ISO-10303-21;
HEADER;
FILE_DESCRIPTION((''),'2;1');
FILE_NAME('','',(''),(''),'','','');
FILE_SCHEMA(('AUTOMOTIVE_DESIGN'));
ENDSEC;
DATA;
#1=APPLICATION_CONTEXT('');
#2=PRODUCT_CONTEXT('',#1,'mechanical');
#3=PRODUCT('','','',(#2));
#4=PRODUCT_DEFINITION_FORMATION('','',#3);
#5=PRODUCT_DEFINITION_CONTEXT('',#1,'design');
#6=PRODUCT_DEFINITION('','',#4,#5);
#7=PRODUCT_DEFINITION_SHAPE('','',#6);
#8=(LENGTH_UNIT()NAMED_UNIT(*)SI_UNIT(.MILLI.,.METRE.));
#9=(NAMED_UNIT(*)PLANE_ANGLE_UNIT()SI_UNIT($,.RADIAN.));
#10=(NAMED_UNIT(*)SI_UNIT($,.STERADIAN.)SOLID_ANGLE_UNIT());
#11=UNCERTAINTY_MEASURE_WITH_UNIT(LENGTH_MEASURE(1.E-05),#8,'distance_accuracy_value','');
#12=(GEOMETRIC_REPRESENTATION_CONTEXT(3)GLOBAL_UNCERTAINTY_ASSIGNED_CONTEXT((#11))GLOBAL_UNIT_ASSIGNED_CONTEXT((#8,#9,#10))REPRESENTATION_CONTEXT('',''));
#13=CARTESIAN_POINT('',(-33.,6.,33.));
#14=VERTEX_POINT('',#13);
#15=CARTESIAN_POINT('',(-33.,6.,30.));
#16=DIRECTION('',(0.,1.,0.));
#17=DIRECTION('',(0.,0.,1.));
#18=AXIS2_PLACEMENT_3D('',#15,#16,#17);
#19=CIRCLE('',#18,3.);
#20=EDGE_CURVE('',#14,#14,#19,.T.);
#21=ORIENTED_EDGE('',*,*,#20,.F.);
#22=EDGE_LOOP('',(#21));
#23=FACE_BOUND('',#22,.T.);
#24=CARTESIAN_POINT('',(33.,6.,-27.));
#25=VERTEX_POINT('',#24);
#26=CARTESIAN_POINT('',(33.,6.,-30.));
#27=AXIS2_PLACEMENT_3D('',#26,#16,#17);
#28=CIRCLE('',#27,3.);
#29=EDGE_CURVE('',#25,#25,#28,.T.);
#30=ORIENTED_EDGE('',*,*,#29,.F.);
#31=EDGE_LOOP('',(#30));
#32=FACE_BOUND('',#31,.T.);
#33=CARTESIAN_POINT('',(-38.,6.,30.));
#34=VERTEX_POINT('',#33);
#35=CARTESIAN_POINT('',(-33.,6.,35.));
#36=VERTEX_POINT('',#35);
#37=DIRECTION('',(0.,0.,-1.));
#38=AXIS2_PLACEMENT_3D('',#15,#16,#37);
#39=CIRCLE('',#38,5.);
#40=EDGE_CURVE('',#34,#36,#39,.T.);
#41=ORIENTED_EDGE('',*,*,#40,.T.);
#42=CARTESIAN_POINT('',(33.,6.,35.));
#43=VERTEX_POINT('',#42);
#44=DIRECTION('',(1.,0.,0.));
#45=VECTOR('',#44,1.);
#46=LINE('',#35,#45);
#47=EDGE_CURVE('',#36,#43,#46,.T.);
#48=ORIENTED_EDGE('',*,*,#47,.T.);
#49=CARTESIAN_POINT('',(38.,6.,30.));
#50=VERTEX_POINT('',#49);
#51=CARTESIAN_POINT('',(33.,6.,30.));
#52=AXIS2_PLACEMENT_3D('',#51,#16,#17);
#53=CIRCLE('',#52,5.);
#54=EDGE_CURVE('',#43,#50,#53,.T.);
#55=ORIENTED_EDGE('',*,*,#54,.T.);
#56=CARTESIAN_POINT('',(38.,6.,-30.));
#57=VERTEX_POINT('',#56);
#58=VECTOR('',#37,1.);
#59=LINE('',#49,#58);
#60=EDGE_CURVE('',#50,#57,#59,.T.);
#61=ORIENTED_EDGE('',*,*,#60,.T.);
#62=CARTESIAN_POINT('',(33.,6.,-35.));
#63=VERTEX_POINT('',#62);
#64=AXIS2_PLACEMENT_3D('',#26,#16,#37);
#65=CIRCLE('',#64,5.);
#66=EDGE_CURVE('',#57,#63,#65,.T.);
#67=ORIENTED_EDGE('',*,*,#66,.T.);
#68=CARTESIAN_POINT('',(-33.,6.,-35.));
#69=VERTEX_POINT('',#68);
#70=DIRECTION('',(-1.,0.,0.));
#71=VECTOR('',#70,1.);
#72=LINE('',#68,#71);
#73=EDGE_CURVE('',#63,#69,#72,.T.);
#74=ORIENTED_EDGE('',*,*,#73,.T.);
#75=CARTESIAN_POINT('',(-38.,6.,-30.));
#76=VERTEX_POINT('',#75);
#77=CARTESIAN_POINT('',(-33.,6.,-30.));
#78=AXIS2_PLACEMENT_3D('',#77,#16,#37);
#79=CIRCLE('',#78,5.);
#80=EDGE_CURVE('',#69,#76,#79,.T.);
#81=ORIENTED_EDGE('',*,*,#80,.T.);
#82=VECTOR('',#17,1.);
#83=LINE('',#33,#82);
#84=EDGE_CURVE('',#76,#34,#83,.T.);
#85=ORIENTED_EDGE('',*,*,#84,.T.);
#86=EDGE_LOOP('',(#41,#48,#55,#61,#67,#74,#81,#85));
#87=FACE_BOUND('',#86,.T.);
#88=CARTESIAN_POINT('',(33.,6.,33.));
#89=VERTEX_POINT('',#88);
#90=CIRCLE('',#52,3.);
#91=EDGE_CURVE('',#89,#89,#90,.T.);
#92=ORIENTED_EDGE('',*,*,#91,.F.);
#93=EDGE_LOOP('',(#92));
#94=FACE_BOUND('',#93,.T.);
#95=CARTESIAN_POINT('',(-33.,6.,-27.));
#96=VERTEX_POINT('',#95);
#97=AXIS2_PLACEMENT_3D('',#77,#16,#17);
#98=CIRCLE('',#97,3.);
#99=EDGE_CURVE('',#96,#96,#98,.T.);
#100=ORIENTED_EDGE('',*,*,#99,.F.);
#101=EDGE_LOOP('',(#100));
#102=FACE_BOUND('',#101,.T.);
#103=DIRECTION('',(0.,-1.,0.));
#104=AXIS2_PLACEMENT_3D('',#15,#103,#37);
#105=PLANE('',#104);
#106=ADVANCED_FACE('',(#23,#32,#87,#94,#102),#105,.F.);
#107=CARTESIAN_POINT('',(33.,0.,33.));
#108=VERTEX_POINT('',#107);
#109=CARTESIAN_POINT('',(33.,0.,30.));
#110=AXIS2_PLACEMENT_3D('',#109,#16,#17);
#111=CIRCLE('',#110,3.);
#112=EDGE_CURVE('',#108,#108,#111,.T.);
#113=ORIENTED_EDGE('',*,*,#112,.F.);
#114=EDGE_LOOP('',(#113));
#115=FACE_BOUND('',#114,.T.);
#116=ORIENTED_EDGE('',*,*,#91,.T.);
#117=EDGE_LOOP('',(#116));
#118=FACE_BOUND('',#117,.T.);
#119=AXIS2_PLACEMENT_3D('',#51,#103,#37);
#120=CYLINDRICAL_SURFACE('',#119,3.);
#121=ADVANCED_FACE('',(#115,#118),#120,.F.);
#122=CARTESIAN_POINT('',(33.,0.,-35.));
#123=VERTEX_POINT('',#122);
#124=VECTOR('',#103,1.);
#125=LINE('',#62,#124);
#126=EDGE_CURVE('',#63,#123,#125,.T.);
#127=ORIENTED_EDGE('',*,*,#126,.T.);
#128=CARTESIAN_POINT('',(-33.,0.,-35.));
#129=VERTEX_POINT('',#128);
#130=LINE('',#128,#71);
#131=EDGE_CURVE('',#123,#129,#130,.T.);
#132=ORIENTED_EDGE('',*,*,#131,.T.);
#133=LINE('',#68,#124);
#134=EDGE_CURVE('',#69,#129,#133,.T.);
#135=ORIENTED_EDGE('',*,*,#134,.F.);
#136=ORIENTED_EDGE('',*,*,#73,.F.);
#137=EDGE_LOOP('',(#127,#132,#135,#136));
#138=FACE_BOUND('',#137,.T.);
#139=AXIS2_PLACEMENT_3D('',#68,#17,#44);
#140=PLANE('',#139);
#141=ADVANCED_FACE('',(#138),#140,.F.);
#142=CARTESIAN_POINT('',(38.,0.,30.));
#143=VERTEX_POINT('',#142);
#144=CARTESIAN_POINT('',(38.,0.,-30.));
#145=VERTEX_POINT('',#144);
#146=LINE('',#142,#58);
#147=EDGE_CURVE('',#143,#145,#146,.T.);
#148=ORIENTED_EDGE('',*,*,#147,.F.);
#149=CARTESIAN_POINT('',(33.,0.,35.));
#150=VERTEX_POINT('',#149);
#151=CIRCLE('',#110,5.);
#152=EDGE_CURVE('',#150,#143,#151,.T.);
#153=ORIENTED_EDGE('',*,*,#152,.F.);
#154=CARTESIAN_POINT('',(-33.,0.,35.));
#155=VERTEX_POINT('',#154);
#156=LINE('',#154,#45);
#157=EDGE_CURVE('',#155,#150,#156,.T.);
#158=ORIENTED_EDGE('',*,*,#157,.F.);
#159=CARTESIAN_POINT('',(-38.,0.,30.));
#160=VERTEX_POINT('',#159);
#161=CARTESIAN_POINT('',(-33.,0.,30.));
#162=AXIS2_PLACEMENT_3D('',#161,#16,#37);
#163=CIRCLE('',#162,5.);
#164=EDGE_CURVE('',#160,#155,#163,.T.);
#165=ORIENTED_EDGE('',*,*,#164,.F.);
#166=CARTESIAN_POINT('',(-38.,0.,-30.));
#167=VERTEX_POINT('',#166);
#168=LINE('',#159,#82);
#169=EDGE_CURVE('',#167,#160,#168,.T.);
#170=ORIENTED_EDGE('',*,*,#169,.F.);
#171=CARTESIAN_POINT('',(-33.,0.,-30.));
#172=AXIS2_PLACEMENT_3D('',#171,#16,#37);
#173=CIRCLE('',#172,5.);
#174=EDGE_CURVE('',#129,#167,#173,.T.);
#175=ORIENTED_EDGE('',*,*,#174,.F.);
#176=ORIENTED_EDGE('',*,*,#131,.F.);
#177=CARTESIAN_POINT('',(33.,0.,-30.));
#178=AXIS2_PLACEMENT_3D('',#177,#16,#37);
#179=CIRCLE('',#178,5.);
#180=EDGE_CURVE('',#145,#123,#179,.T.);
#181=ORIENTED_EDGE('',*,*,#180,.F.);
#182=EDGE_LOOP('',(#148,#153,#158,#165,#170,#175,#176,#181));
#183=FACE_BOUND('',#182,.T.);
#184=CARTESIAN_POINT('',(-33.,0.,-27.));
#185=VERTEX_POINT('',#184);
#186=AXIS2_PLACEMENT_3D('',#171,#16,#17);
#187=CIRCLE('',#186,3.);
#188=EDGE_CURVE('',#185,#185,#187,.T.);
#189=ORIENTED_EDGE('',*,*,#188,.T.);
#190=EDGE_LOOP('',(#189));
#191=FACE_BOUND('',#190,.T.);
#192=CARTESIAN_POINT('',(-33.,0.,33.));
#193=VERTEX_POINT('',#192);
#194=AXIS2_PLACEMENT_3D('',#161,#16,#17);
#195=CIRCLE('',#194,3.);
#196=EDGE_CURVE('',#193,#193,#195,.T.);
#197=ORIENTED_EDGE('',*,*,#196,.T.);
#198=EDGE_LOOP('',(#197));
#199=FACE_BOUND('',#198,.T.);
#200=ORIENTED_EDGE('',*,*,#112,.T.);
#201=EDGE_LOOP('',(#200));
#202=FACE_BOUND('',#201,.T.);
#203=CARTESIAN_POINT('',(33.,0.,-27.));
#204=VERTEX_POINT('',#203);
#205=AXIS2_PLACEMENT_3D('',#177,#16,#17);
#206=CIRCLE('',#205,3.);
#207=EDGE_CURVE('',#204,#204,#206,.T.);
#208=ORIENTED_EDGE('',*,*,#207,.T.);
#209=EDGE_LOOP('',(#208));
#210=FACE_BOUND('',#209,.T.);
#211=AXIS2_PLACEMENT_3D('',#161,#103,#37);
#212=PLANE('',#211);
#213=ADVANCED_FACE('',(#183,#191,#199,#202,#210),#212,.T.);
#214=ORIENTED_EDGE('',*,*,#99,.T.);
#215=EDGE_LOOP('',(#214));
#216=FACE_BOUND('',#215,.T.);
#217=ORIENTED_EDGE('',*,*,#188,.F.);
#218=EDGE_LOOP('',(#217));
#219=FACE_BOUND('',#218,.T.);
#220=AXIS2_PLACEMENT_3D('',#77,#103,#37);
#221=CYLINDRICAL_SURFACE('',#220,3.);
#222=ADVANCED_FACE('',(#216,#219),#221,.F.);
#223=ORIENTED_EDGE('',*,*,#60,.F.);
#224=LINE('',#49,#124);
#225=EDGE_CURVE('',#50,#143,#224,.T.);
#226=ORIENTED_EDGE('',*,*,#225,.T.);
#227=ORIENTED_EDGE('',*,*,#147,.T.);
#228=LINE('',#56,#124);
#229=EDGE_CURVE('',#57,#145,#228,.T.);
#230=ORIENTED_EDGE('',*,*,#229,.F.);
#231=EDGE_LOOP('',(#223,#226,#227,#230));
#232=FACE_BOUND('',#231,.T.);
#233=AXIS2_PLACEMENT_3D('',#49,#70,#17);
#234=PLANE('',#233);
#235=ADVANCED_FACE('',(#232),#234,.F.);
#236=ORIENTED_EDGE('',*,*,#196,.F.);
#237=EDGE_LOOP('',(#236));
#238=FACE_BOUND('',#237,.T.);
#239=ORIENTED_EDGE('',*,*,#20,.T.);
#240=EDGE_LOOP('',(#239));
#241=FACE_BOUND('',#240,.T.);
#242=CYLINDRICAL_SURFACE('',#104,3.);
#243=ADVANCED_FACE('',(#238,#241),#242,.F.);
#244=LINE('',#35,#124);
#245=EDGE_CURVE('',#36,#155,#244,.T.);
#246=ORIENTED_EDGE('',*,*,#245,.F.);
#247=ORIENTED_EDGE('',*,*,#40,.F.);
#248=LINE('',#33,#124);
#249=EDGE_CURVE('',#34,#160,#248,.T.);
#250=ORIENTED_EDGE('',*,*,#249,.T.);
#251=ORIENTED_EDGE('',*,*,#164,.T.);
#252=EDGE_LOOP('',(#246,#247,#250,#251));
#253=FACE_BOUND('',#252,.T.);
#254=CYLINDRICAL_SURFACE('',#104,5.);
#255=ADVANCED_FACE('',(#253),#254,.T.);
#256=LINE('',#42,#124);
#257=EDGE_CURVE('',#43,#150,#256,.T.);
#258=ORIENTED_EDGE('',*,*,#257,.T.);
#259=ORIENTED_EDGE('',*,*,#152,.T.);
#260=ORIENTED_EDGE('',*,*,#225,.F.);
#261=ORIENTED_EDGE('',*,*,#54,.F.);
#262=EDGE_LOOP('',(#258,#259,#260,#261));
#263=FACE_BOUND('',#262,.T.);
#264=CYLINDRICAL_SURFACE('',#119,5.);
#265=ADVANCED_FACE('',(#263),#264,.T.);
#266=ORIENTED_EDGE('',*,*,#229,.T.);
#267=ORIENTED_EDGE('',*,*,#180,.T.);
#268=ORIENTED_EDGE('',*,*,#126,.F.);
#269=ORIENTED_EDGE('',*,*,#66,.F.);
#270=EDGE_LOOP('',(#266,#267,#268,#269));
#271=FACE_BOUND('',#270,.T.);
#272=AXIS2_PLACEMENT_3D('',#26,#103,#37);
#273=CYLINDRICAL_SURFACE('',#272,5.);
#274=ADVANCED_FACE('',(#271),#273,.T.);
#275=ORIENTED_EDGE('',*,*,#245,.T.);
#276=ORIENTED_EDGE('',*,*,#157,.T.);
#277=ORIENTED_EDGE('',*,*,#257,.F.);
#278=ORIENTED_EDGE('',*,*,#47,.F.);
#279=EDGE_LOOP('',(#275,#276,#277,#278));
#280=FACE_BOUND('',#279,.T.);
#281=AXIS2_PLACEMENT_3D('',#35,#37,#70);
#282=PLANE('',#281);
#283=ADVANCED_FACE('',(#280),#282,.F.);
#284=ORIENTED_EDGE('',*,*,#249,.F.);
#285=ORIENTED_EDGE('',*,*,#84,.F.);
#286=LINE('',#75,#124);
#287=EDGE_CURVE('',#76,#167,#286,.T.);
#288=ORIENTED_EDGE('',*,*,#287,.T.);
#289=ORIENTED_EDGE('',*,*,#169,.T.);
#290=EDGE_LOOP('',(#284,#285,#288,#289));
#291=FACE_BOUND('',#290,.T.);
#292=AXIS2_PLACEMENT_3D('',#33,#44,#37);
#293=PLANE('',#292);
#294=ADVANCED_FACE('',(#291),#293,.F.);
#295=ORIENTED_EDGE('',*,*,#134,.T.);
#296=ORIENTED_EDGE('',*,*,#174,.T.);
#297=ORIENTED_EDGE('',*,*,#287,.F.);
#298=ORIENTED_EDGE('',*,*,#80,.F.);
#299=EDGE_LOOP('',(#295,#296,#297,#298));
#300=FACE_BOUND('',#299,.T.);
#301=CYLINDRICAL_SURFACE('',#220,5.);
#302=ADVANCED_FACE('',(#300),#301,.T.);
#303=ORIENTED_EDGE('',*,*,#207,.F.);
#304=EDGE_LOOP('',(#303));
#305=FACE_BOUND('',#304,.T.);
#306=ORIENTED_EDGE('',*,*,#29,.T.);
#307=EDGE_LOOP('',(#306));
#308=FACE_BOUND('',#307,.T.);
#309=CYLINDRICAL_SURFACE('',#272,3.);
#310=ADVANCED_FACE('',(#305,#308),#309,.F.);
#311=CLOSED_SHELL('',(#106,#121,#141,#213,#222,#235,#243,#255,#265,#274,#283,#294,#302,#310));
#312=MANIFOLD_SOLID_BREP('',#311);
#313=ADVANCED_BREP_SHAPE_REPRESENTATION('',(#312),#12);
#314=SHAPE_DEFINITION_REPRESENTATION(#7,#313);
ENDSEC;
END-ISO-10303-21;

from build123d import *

# Parameters (mm, degrees)
SKETCH2_R           = 3
BOSS_EXTRUDE1_DEPTH = 6


with BuildPart() as part:
    # Sketch2 → Boss-Extrude1 (new body)
    with BuildSketch(Plane(origin=(0, 0, 0), x_dir=(1, 0, 0), z_dir=(0, 1, 0))):
        with BuildLine():
            Line((-33, -35), (33, -35))
            ThreePointArc((33, -35), (36.535533906, -33.535533906), (38, -30))
            Line((38, -30), (38, 30))
            ThreePointArc((38, 30), (36.535533906, 33.535533906), (33, 35))
            Line((33, 35), (-33, 35))
            ThreePointArc((-33, 35), (-36.535533906, 33.535533906), (-38, 30))
            Line((-38, 30), (-38, -30))
            ThreePointArc((-38, -30), (-36.535533906, -33.535533906), (-33, -35))
        make_face()
        with Locations((-33, 30)):
            Circle(SKETCH2_R, mode=Mode.SUBTRACT)
        with Locations((-33, -30)):
            Circle(SKETCH2_R, mode=Mode.SUBTRACT)
        with Locations((33, 30)):
            Circle(SKETCH2_R, mode=Mode.SUBTRACT)
        with Locations((33, -30)):
            Circle(SKETCH2_R, mode=Mode.SUBTRACT)
    extrude(amount=BOSS_EXTRUDE1_DEPTH)


solid = part.part
